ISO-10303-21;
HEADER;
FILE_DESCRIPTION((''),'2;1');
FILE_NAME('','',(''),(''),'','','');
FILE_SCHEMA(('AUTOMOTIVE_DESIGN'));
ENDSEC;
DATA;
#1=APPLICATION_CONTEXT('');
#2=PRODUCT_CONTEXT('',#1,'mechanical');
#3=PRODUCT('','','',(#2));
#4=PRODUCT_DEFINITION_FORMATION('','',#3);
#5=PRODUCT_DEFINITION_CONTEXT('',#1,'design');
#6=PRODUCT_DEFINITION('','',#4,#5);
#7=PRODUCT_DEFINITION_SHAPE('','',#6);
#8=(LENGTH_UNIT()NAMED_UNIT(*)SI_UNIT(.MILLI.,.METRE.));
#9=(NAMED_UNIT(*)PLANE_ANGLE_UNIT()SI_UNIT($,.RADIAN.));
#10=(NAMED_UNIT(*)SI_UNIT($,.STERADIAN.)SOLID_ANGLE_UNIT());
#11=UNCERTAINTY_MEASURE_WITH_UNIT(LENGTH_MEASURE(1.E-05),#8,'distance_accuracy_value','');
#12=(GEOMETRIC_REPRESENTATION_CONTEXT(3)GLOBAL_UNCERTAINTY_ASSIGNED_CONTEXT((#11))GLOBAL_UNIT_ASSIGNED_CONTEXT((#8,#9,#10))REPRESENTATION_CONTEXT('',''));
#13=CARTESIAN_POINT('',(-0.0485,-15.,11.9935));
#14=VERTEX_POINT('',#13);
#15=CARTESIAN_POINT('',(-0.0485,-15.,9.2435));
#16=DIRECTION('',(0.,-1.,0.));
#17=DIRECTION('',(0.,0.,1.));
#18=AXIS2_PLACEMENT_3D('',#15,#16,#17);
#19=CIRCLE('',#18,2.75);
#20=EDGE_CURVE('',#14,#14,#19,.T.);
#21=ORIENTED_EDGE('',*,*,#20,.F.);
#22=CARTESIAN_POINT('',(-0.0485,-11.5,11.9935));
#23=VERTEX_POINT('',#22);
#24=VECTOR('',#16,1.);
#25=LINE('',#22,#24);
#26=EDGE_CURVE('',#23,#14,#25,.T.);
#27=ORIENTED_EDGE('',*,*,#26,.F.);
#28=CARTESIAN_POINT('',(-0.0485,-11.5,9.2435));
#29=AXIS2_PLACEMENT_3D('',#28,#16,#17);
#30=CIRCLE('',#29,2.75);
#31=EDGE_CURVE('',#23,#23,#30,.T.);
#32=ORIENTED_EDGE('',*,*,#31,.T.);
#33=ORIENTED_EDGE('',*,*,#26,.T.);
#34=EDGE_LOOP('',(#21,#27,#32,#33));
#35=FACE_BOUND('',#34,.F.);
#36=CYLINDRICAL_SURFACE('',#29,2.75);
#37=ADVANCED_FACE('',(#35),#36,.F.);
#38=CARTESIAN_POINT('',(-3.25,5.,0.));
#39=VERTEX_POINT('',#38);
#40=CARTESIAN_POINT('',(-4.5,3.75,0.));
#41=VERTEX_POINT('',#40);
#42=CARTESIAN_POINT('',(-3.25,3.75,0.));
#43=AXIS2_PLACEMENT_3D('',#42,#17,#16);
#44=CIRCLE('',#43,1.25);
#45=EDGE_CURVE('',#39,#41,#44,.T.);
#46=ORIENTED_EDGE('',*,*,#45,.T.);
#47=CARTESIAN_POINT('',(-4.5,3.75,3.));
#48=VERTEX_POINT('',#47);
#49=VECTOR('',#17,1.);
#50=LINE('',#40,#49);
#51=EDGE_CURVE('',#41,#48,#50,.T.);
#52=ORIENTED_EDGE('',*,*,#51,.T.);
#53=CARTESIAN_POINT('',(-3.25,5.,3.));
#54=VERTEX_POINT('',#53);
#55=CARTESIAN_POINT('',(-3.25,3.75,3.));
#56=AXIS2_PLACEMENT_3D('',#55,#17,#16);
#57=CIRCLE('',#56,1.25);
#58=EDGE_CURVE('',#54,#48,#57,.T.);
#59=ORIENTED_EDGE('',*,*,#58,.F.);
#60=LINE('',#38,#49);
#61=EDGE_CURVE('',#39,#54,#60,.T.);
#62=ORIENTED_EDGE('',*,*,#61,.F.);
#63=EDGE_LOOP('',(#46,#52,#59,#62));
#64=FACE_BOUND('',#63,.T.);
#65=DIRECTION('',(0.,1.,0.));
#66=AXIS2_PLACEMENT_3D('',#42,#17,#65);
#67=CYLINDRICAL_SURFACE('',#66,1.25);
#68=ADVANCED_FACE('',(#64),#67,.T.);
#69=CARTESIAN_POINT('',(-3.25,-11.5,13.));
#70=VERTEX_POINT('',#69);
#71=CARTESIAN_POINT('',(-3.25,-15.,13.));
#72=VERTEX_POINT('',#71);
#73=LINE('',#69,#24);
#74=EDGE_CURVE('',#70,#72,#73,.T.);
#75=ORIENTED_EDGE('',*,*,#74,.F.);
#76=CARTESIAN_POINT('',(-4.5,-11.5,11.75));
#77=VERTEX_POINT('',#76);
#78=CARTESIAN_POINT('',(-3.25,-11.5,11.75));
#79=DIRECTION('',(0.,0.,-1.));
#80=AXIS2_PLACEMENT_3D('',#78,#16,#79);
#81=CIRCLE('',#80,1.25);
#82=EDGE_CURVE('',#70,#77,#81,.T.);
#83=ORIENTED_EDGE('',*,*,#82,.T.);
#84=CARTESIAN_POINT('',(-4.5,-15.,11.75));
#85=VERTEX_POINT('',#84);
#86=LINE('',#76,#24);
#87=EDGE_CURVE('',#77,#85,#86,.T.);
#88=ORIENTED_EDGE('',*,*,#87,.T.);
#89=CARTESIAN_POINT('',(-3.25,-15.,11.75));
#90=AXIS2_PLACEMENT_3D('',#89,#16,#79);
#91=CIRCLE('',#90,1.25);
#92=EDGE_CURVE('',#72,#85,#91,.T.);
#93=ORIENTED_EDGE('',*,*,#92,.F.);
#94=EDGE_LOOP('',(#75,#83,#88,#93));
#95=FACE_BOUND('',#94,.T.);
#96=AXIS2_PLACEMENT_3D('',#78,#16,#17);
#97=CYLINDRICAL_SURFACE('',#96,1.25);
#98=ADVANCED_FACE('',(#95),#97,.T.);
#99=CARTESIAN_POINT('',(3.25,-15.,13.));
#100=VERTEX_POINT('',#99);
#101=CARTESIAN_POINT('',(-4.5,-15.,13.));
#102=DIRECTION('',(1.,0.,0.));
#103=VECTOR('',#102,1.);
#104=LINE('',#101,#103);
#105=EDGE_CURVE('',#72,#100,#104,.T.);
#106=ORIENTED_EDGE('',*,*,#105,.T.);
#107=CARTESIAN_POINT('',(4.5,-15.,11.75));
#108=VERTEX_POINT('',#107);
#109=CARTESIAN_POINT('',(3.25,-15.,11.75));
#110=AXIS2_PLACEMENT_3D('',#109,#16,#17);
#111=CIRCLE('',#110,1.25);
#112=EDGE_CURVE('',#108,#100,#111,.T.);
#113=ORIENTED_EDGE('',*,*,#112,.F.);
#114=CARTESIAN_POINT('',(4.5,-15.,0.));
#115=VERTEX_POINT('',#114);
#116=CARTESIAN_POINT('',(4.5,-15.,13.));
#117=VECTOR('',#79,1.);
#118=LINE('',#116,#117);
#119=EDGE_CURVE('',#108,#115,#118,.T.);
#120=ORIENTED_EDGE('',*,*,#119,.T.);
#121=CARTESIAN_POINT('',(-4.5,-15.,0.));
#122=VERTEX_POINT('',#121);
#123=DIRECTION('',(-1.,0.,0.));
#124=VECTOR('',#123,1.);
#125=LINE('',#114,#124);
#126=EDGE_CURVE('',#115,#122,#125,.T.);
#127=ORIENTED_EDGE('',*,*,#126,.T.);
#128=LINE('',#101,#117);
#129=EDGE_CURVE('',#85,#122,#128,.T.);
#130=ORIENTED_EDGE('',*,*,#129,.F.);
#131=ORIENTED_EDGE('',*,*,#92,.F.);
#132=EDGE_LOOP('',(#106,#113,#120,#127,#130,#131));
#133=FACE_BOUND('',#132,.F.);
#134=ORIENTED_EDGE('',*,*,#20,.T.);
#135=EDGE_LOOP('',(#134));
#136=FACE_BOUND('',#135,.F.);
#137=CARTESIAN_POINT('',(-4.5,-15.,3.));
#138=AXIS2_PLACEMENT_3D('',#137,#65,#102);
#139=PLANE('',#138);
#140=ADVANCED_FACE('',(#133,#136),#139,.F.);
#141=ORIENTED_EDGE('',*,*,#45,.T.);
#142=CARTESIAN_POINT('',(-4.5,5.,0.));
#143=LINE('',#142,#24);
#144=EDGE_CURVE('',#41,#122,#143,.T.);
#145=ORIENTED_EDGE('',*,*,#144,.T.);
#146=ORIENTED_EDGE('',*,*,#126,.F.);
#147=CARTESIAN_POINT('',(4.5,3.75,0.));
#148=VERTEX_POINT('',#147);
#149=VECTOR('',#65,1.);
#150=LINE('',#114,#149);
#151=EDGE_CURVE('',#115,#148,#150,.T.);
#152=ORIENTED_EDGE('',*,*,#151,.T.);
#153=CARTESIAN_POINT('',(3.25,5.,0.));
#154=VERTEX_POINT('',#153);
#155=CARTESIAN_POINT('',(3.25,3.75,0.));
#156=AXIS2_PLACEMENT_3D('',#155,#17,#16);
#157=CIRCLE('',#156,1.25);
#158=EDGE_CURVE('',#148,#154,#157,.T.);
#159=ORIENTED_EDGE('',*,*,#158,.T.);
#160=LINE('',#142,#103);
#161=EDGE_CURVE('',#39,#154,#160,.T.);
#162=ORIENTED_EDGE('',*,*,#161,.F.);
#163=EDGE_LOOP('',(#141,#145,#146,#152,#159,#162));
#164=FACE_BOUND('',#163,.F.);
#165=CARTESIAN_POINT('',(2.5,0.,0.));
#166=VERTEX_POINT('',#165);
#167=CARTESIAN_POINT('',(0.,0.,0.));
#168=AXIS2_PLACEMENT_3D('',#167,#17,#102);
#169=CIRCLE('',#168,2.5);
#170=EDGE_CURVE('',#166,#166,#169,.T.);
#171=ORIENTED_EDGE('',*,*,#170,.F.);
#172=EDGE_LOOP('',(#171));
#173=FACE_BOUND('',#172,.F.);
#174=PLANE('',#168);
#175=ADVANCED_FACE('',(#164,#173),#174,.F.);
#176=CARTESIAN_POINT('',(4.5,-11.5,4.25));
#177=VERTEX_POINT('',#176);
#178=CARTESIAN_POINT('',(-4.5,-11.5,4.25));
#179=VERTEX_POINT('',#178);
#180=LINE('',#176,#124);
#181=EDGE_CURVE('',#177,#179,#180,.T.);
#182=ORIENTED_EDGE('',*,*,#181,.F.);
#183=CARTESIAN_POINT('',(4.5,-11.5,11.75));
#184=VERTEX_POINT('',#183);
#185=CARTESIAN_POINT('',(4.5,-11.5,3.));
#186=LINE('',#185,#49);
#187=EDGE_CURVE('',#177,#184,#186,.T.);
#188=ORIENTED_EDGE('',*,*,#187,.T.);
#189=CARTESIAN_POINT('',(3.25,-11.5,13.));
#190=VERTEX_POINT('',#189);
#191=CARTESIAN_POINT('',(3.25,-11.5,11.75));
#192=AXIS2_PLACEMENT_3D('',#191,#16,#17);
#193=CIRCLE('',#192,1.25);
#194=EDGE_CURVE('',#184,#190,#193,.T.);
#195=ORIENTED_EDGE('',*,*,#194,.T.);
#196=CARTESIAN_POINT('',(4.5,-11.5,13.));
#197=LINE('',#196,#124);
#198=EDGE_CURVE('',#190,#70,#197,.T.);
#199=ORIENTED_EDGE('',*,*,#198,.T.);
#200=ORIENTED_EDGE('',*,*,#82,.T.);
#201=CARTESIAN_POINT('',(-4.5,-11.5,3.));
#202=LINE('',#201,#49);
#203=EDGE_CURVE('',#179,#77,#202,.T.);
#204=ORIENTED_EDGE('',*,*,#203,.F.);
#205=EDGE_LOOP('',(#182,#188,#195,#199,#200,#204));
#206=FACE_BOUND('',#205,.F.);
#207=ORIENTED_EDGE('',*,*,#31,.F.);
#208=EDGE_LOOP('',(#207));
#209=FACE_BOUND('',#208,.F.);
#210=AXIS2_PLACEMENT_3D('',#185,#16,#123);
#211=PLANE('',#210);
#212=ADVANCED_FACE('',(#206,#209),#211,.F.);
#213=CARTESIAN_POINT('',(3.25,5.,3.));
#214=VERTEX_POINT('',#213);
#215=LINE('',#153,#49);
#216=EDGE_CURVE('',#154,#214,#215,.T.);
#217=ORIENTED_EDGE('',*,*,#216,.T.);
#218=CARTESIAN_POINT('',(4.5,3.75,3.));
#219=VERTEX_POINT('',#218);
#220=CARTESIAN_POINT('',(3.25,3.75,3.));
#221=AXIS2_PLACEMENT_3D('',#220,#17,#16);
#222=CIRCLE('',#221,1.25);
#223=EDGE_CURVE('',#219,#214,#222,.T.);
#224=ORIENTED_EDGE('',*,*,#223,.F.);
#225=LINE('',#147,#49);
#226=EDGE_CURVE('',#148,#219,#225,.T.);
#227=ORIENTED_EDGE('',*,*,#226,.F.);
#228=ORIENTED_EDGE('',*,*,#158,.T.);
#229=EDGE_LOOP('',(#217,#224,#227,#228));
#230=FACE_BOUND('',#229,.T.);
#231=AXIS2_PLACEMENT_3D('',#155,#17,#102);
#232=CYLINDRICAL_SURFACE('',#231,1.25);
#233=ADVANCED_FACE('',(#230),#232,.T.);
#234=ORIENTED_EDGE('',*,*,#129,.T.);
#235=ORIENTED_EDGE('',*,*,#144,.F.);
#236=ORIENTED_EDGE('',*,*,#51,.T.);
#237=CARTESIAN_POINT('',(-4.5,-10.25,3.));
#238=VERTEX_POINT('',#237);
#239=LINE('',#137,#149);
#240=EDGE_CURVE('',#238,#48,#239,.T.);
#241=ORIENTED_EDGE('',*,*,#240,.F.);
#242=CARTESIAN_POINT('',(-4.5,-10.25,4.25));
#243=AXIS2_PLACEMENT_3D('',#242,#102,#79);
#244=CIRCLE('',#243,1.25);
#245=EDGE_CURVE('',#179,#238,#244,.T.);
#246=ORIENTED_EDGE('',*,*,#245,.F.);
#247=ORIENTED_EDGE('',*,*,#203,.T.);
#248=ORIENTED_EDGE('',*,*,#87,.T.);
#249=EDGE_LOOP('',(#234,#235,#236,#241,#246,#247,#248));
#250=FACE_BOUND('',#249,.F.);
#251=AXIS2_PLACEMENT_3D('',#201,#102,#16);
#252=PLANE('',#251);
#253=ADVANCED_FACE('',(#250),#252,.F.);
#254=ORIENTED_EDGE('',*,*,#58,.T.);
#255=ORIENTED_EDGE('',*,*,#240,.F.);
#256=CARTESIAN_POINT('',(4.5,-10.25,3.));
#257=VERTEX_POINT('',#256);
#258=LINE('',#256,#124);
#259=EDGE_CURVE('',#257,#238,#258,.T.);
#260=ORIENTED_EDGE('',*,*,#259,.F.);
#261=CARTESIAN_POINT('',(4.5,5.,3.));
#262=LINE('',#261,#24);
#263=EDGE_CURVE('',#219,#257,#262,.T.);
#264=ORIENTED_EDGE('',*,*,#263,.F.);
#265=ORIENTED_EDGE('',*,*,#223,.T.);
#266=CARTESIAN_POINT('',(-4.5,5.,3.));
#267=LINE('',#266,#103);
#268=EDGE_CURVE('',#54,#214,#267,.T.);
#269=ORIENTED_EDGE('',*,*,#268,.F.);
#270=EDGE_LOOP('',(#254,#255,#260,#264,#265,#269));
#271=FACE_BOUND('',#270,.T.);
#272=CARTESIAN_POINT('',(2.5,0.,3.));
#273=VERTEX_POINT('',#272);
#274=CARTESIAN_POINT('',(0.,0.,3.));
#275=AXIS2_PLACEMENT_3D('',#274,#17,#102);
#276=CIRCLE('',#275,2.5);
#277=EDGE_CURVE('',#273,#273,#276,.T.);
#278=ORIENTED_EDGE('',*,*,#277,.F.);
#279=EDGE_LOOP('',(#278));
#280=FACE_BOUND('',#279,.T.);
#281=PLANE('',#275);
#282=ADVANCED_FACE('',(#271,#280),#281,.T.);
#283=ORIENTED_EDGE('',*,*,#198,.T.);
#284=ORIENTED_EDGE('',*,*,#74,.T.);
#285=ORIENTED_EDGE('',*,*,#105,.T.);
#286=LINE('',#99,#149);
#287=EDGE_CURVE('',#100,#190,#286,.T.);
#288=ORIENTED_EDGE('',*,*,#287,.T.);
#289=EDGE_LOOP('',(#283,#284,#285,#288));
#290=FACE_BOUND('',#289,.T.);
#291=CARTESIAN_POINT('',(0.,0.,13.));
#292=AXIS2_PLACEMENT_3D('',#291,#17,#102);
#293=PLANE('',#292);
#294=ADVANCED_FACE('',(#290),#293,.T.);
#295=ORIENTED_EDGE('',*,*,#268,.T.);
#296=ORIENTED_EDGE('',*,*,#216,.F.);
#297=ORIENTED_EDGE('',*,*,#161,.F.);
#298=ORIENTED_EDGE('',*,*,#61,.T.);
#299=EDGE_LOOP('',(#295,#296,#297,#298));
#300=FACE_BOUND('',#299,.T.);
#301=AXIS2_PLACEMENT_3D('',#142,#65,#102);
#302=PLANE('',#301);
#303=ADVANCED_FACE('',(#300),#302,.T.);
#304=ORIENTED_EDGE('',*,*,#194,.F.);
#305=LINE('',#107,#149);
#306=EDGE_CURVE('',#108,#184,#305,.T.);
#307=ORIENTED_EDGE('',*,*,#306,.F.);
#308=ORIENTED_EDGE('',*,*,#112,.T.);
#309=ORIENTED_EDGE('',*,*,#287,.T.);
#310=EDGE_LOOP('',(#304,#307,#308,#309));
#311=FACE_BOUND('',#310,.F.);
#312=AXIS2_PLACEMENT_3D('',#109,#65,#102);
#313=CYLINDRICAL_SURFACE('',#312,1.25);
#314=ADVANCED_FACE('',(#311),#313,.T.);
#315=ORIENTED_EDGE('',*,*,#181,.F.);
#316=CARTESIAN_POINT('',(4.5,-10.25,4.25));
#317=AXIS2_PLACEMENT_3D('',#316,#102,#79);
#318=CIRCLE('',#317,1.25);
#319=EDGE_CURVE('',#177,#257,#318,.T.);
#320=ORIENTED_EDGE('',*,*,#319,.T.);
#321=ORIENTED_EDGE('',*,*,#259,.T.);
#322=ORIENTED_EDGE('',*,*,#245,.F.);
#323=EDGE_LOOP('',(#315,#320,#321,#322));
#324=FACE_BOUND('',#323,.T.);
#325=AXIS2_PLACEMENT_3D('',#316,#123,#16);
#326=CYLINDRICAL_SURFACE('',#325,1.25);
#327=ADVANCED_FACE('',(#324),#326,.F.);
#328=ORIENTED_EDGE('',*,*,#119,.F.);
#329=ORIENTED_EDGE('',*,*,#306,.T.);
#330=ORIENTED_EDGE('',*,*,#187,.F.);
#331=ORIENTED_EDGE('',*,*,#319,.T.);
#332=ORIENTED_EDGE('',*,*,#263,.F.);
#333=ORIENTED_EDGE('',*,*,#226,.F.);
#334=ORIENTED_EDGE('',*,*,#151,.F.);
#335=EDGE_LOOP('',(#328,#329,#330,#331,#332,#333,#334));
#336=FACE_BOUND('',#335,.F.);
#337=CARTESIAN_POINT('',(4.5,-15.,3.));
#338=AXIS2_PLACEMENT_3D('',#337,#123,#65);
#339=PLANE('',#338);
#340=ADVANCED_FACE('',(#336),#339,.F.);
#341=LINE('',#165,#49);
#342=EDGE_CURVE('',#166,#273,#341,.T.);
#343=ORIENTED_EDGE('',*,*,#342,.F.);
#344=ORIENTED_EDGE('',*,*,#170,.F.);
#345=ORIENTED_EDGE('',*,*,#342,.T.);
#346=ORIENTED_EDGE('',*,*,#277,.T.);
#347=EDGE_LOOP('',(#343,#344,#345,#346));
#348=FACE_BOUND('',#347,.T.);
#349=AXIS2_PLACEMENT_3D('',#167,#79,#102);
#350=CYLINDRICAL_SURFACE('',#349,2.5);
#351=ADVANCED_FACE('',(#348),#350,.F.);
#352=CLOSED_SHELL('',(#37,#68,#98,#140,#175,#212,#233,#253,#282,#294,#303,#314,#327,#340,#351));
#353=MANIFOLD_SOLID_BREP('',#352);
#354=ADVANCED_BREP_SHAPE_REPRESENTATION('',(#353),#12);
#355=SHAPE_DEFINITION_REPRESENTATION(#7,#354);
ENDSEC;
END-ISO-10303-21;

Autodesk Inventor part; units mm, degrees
ref_plane "YZ Plane" through (0, 0, 0) normal (1, 0, 0) x (0, 1, 0)
ref_plane "XZ Plane" through (0, 0, 0) normal (0, 1, 0) x (-1, 0, 0)
ref_plane "XY Plane" through (0, 0, 0) normal (0, 0, 1) x (1, 0, 0)
sketch "Sketch1" plane through (0, 0, 0) normal (0, 0, 1) x (1, 0, 0)
  circle A0 centre (0, 0) radius 2.5
  line L0 (-4.5, 5) -> (4.5, 5)
  line L1 (4.5, 5) -> (4.5, -11.5)
  line L2 (4.5, -11.5) -> (-4.5, -11.5)
  line L3 (-4.5, -11.5) -> (-4.5, 5)
  line L4 (-4.5, -11.5) -> (4.5, -11.5)
  line L5 (4.5, -11.5) -> (4.5, -15)
  line L6 (4.5, -15) -> (-4.5, -15)
  line L7 (-4.5, -15) -> (-4.5, -11.5)
  dimension "d0" = 5
  dimension "d1" = 4.5
  dimension "d2" = 4.5
  dimension "d3" = 5
  dimension "d4" = 11.5
  dimension "d5" = 3.5
extrude "Extrusion1" add sketch "Sketch1" along normal blind 3
sketch "Sketch2" plane through (0, 0, 3) normal (0, 0, 1) x (1, 0, 0)
  line L0 (4.5, 5) -> (-4.5, 5) projected
  line L1 (-4.5, 5) -> (-4.5, -15) projected
  line L2 (-4.5, -15) -> (4.5, -15) projected
  line L3 (4.5, -15) -> (4.5, 5) projected
  circle A0 centre (0, 0) radius 2.5 projected
  line L4 (-4.5, -15) -> (4.5, -15)
  line L5 (4.5, -15) -> (4.5, -11.5)
  line L6 (4.5, -11.5) -> (-4.5, -11.5)
  line L7 (-4.5, -11.5) -> (-4.5, -15)
  dimension "d8" = 3.5
extrude "Extrusion2" add sketch "Sketch2" along normal blind 10 contours L3 L2 L1 L6
sketch "Sketch3" plane through (-4.5, -11.5, 3) normal (0, 1, 0) x (1, 0, 0)
  point P0 (4.5, 3)
  point P1 (4.4515, -6.2435)
hole "Hole1" at (-0.0485, -11.5, 9.2435) direction (0, -1, 0) diameter 5.5 depth 4 tip angle 118
fillet "Fillet1" radius 1.25 5 edges at (4.5, -13.25, 13) (-4.5, -13.25, 13) (0, -11.5, 3) (4.5, 5, 1.5) (-4.5, 5, 1.5)
properties part number "driver-bracket_3DPrint"
